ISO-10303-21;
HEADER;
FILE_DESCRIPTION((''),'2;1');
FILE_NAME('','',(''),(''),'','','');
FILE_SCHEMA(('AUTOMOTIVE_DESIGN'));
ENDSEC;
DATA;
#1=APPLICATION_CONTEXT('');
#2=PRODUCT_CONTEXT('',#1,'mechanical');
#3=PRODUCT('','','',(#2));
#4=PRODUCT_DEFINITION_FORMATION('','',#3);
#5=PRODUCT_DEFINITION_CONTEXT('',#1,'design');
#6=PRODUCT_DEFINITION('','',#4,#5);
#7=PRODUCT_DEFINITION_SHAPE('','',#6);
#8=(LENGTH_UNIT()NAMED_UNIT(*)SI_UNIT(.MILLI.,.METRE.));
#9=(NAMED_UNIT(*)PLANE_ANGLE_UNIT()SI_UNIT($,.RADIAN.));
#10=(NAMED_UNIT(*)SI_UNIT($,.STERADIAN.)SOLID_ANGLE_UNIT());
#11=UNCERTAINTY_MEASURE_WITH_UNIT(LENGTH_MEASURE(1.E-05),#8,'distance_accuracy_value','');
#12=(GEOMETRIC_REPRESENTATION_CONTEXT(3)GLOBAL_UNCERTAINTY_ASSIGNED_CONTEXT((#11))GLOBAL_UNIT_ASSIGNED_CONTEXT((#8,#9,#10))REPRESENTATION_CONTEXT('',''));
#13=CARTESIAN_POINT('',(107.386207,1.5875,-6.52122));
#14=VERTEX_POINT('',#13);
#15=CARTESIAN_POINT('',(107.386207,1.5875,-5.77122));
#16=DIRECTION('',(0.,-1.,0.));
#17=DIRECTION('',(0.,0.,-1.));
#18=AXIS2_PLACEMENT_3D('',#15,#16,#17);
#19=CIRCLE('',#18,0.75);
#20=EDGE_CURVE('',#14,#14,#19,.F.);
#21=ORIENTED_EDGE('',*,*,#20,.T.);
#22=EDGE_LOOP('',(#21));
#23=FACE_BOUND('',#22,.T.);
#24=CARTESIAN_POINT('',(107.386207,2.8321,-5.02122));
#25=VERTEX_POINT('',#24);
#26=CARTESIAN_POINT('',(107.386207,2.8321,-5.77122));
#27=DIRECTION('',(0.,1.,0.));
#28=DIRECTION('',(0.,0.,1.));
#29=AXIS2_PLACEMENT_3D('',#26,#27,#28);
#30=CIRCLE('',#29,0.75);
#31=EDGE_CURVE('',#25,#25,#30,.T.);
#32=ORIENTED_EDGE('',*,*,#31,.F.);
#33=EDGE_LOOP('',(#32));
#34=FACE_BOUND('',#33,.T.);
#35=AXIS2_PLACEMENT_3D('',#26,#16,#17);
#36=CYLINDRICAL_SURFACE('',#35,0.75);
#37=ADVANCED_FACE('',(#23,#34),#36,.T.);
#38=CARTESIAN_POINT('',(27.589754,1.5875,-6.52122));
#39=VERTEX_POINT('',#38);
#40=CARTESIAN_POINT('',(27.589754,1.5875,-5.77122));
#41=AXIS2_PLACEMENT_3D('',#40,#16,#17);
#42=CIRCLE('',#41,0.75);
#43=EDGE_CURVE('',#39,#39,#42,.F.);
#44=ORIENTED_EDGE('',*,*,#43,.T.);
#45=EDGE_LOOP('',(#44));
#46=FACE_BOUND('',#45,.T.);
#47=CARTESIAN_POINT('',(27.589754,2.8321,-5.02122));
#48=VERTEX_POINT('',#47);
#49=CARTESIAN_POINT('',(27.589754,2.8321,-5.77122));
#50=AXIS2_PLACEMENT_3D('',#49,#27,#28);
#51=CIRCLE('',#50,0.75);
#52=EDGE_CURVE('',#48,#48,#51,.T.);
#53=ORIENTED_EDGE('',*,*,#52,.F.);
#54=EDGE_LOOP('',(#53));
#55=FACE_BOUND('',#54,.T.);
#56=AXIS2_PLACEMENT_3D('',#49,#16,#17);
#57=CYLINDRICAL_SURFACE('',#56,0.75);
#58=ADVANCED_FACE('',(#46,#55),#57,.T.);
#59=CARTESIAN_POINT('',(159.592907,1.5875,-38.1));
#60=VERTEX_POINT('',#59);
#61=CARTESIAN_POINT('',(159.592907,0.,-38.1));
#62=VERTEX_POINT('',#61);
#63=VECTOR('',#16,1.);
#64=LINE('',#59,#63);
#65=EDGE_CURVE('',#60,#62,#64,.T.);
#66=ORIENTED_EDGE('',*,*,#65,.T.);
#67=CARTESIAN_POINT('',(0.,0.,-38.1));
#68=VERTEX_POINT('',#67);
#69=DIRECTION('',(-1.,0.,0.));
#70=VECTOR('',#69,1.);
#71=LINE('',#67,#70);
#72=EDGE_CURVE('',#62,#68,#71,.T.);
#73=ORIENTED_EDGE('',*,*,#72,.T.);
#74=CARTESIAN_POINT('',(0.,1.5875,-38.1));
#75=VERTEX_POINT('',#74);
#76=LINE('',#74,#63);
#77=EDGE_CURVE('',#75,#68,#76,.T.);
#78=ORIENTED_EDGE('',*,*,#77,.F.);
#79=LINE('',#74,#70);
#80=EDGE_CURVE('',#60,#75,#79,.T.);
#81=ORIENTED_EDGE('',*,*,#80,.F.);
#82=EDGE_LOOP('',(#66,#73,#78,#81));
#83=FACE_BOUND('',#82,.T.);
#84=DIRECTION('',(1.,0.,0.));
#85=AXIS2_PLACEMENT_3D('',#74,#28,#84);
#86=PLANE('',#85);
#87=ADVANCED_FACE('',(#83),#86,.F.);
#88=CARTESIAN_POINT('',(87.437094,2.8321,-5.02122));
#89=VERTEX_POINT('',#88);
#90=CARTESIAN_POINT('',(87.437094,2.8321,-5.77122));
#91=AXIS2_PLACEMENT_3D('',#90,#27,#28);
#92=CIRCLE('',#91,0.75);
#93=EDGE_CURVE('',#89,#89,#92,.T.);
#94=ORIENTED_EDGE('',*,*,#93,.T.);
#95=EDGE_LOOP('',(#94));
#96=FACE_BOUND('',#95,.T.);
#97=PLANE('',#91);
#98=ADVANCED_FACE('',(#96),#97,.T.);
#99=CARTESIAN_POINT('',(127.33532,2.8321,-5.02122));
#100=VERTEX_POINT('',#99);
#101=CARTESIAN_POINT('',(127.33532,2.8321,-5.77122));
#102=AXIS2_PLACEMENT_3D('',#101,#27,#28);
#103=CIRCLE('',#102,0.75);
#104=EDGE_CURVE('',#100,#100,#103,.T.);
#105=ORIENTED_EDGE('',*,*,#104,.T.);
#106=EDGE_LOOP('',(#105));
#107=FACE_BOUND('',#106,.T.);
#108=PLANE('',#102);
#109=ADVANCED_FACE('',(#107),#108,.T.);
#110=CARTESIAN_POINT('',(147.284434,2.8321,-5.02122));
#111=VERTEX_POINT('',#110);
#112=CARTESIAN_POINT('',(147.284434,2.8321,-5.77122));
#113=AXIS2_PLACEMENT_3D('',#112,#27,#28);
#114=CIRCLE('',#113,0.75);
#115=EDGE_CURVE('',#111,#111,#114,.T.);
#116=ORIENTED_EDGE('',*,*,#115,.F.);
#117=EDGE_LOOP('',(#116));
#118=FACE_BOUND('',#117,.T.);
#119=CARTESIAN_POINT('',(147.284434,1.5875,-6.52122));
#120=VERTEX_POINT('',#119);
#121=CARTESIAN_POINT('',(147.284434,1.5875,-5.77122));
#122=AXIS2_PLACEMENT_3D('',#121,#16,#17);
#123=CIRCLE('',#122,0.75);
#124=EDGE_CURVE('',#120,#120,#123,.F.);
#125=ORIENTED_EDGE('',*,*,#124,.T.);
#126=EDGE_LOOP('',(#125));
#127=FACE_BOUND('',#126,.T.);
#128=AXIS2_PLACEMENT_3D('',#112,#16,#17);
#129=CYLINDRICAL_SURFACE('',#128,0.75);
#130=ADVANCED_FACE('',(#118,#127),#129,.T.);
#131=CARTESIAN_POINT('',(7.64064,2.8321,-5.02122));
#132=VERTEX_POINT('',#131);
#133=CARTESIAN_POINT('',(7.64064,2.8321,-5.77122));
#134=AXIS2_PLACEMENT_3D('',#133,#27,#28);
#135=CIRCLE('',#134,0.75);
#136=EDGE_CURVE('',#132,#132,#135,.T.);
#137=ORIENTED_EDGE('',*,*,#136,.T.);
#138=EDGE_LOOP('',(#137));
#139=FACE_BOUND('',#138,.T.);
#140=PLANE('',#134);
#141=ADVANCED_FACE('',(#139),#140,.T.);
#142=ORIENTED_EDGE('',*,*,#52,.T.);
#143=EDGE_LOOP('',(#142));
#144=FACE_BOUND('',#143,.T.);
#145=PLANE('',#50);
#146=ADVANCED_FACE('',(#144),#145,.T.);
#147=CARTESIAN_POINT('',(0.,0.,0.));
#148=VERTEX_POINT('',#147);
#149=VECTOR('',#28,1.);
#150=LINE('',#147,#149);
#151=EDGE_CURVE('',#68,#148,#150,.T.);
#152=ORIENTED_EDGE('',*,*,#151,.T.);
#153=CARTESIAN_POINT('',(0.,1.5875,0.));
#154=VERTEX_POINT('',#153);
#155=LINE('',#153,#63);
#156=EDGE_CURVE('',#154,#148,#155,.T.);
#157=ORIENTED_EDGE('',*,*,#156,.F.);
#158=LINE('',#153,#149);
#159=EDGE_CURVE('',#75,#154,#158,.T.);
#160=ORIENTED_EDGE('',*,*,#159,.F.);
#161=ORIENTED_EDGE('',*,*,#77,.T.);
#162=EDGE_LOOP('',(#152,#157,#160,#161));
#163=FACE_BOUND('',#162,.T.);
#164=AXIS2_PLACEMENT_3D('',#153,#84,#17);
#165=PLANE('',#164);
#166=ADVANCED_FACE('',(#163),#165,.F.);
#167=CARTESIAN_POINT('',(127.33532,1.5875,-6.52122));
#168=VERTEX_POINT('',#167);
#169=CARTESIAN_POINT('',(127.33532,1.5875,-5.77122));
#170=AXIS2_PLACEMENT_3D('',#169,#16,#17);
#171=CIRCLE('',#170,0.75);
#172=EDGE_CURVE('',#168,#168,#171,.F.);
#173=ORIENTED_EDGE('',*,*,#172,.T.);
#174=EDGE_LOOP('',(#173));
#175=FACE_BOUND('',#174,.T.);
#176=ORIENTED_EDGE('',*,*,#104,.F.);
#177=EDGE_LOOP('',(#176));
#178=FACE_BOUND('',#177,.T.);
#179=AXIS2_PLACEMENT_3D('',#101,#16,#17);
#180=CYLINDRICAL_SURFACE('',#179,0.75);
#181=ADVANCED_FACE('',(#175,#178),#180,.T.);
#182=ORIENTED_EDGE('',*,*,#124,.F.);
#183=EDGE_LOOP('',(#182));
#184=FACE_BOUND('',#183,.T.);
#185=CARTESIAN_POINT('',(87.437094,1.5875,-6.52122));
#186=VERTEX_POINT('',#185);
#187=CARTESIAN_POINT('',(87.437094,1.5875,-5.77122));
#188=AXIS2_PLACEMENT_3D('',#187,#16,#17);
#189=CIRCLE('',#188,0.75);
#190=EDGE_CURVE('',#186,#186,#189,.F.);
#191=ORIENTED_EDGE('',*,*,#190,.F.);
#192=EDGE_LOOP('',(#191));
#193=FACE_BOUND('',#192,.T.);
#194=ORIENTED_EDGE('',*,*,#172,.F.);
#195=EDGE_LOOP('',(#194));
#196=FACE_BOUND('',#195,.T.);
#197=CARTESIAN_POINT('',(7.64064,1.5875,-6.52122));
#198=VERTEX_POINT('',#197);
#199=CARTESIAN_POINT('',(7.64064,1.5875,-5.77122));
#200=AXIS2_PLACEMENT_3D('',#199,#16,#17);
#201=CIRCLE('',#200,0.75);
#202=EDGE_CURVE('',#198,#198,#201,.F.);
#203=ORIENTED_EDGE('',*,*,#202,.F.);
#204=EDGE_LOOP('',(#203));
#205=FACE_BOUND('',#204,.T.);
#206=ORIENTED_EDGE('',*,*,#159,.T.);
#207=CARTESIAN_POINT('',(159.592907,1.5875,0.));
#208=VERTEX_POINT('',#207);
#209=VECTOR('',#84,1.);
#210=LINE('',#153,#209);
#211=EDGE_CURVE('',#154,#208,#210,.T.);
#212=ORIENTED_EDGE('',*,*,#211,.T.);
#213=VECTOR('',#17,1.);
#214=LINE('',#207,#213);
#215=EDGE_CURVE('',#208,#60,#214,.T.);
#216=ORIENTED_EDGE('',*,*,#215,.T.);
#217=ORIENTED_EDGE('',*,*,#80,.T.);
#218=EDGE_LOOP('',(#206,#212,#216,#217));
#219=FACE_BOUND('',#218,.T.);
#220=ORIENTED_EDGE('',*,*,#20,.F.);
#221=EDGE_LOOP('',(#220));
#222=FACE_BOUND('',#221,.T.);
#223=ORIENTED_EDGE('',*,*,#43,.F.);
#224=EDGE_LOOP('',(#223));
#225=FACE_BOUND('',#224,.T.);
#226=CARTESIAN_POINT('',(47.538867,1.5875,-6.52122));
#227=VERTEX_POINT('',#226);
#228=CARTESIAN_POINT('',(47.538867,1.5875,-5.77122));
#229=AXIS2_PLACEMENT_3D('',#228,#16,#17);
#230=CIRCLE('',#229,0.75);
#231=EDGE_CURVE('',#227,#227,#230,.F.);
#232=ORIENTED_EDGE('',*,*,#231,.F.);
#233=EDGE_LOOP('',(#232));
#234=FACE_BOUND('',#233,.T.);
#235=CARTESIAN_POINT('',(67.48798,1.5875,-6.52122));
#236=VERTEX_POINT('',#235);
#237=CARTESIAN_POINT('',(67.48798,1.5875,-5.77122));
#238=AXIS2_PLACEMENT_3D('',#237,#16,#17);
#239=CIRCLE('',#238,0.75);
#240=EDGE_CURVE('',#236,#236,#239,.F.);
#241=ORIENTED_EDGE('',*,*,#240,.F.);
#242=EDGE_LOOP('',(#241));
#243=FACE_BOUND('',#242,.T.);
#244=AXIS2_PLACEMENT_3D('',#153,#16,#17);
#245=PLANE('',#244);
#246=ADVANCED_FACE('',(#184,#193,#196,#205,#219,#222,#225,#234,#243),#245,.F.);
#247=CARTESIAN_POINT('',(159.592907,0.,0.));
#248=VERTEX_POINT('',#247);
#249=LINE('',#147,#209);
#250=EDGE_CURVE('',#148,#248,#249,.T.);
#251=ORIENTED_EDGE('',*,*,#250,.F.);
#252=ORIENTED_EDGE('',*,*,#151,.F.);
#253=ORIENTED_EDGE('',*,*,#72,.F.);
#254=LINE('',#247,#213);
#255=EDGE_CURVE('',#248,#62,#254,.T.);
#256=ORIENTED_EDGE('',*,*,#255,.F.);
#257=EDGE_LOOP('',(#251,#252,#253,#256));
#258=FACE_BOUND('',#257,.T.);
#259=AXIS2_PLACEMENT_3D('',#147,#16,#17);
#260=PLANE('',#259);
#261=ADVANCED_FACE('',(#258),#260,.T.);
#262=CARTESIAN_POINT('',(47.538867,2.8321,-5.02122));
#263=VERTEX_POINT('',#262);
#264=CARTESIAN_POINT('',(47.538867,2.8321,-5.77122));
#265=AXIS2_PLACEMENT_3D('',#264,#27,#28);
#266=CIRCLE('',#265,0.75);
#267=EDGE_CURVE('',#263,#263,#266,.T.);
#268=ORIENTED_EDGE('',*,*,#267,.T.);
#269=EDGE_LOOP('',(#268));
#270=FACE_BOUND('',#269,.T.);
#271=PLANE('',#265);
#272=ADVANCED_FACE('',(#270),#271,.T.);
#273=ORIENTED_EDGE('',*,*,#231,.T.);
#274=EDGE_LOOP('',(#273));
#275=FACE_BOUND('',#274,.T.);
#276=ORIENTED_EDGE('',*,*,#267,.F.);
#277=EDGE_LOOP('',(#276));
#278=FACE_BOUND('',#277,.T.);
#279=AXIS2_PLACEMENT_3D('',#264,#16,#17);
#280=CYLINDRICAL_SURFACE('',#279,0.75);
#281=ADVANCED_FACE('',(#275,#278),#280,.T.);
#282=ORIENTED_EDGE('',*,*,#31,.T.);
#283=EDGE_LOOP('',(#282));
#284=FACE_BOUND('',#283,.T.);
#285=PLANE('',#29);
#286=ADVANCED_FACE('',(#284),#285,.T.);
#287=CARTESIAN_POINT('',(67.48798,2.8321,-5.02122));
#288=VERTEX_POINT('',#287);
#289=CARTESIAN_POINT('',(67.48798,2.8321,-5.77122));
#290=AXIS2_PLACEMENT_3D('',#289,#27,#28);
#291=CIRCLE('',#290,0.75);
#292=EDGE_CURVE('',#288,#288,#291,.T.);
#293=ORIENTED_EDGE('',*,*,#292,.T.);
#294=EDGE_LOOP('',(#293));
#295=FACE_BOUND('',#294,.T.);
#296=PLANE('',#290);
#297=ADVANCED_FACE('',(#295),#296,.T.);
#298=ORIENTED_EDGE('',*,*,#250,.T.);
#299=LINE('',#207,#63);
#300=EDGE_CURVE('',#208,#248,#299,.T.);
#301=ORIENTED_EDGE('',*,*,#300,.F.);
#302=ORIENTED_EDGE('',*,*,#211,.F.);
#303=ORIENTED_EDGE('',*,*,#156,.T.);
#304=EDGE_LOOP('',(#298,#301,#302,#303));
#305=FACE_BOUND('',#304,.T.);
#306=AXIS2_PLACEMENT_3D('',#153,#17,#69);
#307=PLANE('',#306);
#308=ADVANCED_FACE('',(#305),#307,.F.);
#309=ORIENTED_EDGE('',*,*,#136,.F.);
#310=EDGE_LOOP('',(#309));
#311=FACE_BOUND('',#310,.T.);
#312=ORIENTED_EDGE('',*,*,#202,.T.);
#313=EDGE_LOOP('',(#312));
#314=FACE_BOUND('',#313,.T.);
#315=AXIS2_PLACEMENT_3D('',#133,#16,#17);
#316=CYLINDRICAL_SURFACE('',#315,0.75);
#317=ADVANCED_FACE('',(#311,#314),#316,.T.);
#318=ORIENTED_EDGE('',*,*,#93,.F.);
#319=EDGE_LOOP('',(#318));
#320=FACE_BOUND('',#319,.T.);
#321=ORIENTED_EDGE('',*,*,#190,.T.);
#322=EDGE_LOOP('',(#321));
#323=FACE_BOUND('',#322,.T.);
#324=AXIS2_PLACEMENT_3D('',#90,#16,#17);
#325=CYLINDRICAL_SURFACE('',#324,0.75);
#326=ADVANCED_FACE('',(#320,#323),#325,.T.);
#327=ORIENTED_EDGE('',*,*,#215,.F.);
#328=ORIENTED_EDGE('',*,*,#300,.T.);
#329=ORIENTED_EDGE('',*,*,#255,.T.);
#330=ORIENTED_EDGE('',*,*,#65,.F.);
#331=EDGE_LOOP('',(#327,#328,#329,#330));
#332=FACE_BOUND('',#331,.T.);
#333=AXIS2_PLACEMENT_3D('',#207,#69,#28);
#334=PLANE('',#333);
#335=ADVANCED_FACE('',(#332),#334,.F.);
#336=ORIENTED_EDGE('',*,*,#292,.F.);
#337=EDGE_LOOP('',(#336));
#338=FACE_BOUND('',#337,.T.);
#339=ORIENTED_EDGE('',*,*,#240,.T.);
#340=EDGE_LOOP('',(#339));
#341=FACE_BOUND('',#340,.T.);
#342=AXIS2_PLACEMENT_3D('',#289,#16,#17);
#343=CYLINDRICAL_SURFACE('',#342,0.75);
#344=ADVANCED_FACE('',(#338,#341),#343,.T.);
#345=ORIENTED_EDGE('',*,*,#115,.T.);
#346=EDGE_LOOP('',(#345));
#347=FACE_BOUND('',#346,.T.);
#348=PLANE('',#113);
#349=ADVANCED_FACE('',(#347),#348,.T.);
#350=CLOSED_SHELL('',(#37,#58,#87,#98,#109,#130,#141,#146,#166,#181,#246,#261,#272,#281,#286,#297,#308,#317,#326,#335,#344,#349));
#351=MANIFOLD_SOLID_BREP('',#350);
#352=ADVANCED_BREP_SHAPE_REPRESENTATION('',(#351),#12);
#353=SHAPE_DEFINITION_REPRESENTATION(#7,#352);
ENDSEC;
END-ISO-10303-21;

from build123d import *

# Parameters (mm, degrees)
SKETCH1_W           = 159.592906802
SKETCH1_H           = 38.1
BOSS_EXTRUDE1_DEPTH = 1.5875
SKETCH2_R           = 0.75
BOSS_EXTRUDE2_DEPTH = 1.2446
LPATTERN1_COUNT     = 8
LPATTERN1_PITCH     = 19.94911335


with BuildPart() as part:
    # Sketch1 → Boss-Extrude1 (new body)
    with BuildSketch(Plane(origin=(0, 0, 0), x_dir=(1, 0, 0), z_dir=(0, 1, 0))):
        with Locations((79.796453401, 19.05)):
            Rectangle(SKETCH1_W, SKETCH1_H)
    extrude(amount=BOSS_EXTRUDE1_DEPTH)

    # Sketch2 → Boss-Extrude2 (add)
    with BuildSketch(Plane(origin=(0, 1.5875, 0), x_dir=(1, 0, 0), z_dir=(0, 1, 0))):
        with Locations(Location((7.640640269, 5.771220173, 0), (0, 0, 90))):
            Circle(SKETCH2_R)
    boss_extrude2 = extrude(amount=BOSS_EXTRUDE2_DEPTH)

    # LPattern1: Boss-Extrude2 ×8
    with Locations(*[(i * LPATTERN1_PITCH, 0, 0) for i in range(1, LPATTERN1_COUNT)]):
        add(boss_extrude2)


solid = part.part
